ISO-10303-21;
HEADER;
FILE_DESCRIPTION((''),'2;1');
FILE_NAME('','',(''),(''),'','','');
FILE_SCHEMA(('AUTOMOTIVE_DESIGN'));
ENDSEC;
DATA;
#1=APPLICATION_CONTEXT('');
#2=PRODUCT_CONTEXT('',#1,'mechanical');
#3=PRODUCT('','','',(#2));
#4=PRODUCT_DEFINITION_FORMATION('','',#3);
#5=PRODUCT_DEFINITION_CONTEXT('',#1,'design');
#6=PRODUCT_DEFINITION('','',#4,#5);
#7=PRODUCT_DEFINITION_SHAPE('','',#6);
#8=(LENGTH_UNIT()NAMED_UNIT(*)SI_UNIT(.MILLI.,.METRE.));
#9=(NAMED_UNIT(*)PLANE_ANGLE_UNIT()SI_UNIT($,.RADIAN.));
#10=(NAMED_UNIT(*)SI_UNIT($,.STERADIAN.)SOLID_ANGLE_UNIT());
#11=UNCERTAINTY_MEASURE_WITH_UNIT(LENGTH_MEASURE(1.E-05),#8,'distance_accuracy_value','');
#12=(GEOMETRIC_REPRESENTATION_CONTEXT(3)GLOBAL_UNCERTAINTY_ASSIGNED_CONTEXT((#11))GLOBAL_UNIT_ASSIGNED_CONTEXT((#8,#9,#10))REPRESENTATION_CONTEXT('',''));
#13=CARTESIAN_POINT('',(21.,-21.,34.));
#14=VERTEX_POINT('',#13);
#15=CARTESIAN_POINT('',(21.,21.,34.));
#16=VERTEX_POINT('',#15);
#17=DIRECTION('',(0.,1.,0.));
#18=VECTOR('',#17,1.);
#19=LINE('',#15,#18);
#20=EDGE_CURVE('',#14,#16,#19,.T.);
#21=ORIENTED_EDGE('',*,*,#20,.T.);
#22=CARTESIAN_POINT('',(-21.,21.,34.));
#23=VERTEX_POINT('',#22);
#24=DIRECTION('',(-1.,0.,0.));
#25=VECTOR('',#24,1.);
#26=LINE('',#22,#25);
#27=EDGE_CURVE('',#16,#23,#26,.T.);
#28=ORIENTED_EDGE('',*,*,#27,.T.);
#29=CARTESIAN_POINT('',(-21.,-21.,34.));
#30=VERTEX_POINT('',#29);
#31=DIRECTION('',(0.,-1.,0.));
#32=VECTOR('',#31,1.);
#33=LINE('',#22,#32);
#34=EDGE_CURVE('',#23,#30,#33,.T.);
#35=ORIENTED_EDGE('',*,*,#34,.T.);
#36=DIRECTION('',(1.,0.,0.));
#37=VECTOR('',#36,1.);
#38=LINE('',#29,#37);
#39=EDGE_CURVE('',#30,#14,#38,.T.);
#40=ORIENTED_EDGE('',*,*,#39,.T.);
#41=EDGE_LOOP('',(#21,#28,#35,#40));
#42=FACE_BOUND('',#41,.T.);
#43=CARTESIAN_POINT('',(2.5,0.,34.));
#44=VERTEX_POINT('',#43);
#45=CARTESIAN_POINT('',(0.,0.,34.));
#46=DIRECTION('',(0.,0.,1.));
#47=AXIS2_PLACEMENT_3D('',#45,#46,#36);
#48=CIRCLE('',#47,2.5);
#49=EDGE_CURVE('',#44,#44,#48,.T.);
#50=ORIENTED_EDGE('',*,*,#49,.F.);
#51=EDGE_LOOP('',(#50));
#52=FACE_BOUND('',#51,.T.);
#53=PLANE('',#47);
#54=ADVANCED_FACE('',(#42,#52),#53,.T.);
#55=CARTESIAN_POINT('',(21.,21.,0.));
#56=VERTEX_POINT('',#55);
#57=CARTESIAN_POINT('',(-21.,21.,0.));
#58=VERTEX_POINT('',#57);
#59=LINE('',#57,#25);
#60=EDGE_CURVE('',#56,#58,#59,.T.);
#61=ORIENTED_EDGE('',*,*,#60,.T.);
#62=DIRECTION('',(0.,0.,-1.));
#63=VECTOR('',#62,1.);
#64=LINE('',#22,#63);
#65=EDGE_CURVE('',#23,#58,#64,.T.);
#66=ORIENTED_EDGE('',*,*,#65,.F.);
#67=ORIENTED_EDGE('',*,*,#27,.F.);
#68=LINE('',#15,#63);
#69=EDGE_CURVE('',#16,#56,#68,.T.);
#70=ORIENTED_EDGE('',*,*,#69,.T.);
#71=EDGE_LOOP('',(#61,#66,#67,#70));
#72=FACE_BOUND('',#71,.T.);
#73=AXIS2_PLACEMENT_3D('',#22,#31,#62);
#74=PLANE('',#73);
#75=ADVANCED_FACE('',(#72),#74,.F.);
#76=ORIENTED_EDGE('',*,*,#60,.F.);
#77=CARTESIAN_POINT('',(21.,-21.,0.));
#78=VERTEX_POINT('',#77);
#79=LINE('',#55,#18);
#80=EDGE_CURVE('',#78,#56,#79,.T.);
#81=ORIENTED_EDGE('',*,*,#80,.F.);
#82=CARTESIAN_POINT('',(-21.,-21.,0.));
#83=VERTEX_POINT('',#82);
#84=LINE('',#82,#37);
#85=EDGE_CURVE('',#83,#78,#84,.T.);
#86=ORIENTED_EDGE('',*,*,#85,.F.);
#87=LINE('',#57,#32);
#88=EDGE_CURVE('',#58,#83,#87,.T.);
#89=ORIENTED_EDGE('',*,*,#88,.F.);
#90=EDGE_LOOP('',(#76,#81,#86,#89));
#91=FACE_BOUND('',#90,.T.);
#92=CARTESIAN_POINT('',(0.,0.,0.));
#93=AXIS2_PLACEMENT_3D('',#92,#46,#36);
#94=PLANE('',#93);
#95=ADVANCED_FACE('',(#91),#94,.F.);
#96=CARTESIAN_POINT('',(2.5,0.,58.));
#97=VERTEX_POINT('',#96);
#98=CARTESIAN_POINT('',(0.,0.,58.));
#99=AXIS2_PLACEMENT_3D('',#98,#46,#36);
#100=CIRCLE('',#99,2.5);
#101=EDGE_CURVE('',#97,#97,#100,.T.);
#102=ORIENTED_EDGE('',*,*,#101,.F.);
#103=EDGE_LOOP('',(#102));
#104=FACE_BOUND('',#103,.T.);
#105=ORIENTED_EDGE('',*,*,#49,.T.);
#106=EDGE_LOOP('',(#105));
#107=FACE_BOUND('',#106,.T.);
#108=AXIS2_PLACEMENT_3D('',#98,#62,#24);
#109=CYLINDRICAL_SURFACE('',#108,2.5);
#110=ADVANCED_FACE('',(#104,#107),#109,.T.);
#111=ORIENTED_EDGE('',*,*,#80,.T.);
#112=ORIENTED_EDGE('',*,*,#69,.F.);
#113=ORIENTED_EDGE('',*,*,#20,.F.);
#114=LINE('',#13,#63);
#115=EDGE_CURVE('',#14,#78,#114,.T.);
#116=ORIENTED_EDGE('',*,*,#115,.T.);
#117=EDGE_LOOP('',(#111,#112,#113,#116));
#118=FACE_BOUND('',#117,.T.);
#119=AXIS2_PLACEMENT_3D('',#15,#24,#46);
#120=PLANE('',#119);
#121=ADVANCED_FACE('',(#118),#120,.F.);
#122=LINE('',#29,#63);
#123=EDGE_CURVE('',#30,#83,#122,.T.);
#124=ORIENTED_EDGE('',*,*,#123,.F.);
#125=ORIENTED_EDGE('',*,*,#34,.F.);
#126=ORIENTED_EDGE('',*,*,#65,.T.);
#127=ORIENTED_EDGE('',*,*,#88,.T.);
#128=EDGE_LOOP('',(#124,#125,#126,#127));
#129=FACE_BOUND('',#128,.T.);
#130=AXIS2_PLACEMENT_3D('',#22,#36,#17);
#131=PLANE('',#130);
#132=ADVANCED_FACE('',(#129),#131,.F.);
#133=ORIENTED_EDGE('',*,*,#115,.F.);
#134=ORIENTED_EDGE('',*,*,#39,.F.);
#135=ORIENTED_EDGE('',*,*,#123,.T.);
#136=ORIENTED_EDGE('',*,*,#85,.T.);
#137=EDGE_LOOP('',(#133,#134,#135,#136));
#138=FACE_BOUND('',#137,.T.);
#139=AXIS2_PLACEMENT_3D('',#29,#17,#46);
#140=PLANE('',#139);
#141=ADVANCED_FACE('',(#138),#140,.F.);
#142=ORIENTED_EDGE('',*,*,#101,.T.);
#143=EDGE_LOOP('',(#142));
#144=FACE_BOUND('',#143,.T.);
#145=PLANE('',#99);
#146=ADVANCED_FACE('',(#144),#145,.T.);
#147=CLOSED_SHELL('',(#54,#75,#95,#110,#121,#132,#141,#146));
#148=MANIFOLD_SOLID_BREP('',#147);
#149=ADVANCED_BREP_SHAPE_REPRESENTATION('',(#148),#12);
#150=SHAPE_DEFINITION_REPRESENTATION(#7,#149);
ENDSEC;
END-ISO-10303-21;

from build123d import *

# Parameters (mm, degrees)
ESQUISSE1_W        = 42
ESQUISSE1_H        = 42
BOSS_EXTRU_1_DEPTH = 34
ESQUISSE2_R        = 2.5
BOSS_EXTRU_2_DEPTH = 24


with BuildPart() as part:
    # Esquisse1 → Boss.-Extru.1 (new body)
    with BuildSketch(Plane.XY):
        Rectangle(ESQUISSE1_W, ESQUISSE1_H)
    extrude(amount=BOSS_EXTRU_1_DEPTH)

    # Esquisse2 → Boss.-Extru.2 (add)
    with BuildSketch(Plane.XY.offset(34)):
        Circle(ESQUISSE2_R)
    extrude(amount=BOSS_EXTRU_2_DEPTH)


solid = part.part
